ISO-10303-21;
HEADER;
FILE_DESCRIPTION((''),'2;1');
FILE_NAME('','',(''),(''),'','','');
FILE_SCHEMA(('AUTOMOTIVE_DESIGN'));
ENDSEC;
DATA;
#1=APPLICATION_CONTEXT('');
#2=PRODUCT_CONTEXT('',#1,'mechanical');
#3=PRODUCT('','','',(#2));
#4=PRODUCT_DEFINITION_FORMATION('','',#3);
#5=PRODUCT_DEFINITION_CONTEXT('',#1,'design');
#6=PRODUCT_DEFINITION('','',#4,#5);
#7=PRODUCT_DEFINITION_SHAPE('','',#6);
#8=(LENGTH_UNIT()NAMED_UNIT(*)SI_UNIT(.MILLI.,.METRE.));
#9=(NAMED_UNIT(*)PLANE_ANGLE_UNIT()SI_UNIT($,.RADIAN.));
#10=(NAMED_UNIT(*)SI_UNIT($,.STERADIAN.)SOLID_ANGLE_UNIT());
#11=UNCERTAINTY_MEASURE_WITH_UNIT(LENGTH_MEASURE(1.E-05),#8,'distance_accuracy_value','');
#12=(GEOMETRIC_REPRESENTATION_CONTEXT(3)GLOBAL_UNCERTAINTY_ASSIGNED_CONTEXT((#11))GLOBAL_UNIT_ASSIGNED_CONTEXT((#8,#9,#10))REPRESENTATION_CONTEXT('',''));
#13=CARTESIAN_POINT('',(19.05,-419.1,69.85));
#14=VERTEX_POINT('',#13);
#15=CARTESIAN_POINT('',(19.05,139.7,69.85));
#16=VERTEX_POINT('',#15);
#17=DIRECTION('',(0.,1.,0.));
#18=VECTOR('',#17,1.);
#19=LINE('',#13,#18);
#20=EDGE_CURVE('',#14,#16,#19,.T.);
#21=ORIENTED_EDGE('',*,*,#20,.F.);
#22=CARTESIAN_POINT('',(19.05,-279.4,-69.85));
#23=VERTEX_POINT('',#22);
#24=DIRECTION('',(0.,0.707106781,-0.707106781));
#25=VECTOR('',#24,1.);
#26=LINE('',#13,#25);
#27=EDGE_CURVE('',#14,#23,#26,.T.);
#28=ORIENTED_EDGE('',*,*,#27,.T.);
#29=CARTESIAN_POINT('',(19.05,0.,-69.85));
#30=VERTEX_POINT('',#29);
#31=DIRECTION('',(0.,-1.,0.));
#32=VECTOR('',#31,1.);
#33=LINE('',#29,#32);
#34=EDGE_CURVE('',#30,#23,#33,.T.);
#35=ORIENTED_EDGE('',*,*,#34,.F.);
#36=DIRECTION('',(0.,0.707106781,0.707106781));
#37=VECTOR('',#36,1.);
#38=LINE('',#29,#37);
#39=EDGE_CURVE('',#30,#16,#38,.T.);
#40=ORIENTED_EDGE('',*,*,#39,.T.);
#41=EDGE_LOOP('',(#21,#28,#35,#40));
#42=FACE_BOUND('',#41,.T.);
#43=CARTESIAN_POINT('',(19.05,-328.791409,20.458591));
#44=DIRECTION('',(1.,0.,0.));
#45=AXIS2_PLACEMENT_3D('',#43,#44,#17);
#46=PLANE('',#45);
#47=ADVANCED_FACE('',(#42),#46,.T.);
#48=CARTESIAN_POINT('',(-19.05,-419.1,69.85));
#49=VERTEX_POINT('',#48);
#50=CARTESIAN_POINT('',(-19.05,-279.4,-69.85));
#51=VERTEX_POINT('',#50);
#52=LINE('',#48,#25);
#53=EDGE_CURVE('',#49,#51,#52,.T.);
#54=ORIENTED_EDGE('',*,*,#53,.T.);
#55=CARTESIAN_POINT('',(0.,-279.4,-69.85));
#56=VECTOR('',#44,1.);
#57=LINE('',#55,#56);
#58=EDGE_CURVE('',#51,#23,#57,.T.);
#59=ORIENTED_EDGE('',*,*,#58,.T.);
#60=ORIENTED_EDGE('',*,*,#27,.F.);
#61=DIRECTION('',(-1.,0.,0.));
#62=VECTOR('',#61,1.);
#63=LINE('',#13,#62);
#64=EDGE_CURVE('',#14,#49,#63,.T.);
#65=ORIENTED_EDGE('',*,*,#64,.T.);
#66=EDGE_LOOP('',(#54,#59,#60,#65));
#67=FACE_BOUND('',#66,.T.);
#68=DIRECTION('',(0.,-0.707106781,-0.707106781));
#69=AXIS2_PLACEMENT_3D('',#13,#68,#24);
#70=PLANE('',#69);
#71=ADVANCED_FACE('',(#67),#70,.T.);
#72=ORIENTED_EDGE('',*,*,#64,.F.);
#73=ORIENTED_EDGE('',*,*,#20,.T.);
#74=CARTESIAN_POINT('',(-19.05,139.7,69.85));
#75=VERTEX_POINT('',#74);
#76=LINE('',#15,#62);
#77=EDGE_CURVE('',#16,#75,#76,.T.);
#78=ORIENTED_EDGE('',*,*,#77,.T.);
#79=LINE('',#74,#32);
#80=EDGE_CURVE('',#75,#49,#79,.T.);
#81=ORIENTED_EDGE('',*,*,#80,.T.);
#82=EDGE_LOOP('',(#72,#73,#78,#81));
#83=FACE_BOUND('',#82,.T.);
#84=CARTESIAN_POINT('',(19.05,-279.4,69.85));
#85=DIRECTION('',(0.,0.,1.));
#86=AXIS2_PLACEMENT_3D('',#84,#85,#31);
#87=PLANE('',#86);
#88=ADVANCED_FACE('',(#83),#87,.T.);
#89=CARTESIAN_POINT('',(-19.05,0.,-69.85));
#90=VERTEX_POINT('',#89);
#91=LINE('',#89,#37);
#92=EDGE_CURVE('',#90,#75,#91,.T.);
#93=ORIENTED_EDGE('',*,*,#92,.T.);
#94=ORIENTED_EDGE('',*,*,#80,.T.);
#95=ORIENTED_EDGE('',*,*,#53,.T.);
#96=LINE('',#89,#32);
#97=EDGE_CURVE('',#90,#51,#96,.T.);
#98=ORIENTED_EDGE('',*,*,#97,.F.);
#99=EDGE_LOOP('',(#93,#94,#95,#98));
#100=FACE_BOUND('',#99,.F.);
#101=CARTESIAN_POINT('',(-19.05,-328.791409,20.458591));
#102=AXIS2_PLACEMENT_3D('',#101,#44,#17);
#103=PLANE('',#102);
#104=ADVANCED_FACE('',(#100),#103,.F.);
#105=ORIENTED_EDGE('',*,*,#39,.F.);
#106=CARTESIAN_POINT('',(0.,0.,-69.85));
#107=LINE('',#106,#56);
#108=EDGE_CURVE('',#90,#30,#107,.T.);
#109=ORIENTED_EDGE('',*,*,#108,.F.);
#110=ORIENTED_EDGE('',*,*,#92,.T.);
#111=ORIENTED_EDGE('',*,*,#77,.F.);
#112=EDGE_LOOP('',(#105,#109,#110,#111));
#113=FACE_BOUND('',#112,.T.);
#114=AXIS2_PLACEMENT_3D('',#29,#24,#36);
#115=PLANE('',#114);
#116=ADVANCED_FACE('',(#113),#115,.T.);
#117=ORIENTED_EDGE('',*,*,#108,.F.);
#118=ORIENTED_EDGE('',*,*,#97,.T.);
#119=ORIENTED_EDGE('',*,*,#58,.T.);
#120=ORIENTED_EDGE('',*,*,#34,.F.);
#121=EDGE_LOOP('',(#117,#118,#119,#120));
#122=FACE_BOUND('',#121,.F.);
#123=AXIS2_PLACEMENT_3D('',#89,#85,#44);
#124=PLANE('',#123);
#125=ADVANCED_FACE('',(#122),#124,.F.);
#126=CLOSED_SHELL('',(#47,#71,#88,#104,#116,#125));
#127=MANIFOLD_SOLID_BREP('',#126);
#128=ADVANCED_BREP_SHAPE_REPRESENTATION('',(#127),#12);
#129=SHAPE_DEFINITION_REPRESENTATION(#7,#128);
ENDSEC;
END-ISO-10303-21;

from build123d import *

# Parameters (mm, degrees)
F0_W     = 38.1
F0_H     = 139.7
F1_DEPTH = 279.4
F3_DEPTH = 38.1


with BuildPart() as f1:
    # F0 (on Front) → F1 (new body)
    with BuildSketch(Plane.XZ):
        Rectangle(F0_W, F0_H)
    extrude(amount=F1_DEPTH)

    # F2 (on face) → F3 (join, through all)
    with BuildSketch(Plane.YZ.offset(19.05)):
        Polygon((-419.1, 69.85), (-279.4, -69.85), (-279.4, 69.85), align=None)
        Polygon((0, 69.85), (0, -69.85), (139.7, 69.85), align=None)
    extrude(amount=-F3_DEPTH)


solid = f1.part
